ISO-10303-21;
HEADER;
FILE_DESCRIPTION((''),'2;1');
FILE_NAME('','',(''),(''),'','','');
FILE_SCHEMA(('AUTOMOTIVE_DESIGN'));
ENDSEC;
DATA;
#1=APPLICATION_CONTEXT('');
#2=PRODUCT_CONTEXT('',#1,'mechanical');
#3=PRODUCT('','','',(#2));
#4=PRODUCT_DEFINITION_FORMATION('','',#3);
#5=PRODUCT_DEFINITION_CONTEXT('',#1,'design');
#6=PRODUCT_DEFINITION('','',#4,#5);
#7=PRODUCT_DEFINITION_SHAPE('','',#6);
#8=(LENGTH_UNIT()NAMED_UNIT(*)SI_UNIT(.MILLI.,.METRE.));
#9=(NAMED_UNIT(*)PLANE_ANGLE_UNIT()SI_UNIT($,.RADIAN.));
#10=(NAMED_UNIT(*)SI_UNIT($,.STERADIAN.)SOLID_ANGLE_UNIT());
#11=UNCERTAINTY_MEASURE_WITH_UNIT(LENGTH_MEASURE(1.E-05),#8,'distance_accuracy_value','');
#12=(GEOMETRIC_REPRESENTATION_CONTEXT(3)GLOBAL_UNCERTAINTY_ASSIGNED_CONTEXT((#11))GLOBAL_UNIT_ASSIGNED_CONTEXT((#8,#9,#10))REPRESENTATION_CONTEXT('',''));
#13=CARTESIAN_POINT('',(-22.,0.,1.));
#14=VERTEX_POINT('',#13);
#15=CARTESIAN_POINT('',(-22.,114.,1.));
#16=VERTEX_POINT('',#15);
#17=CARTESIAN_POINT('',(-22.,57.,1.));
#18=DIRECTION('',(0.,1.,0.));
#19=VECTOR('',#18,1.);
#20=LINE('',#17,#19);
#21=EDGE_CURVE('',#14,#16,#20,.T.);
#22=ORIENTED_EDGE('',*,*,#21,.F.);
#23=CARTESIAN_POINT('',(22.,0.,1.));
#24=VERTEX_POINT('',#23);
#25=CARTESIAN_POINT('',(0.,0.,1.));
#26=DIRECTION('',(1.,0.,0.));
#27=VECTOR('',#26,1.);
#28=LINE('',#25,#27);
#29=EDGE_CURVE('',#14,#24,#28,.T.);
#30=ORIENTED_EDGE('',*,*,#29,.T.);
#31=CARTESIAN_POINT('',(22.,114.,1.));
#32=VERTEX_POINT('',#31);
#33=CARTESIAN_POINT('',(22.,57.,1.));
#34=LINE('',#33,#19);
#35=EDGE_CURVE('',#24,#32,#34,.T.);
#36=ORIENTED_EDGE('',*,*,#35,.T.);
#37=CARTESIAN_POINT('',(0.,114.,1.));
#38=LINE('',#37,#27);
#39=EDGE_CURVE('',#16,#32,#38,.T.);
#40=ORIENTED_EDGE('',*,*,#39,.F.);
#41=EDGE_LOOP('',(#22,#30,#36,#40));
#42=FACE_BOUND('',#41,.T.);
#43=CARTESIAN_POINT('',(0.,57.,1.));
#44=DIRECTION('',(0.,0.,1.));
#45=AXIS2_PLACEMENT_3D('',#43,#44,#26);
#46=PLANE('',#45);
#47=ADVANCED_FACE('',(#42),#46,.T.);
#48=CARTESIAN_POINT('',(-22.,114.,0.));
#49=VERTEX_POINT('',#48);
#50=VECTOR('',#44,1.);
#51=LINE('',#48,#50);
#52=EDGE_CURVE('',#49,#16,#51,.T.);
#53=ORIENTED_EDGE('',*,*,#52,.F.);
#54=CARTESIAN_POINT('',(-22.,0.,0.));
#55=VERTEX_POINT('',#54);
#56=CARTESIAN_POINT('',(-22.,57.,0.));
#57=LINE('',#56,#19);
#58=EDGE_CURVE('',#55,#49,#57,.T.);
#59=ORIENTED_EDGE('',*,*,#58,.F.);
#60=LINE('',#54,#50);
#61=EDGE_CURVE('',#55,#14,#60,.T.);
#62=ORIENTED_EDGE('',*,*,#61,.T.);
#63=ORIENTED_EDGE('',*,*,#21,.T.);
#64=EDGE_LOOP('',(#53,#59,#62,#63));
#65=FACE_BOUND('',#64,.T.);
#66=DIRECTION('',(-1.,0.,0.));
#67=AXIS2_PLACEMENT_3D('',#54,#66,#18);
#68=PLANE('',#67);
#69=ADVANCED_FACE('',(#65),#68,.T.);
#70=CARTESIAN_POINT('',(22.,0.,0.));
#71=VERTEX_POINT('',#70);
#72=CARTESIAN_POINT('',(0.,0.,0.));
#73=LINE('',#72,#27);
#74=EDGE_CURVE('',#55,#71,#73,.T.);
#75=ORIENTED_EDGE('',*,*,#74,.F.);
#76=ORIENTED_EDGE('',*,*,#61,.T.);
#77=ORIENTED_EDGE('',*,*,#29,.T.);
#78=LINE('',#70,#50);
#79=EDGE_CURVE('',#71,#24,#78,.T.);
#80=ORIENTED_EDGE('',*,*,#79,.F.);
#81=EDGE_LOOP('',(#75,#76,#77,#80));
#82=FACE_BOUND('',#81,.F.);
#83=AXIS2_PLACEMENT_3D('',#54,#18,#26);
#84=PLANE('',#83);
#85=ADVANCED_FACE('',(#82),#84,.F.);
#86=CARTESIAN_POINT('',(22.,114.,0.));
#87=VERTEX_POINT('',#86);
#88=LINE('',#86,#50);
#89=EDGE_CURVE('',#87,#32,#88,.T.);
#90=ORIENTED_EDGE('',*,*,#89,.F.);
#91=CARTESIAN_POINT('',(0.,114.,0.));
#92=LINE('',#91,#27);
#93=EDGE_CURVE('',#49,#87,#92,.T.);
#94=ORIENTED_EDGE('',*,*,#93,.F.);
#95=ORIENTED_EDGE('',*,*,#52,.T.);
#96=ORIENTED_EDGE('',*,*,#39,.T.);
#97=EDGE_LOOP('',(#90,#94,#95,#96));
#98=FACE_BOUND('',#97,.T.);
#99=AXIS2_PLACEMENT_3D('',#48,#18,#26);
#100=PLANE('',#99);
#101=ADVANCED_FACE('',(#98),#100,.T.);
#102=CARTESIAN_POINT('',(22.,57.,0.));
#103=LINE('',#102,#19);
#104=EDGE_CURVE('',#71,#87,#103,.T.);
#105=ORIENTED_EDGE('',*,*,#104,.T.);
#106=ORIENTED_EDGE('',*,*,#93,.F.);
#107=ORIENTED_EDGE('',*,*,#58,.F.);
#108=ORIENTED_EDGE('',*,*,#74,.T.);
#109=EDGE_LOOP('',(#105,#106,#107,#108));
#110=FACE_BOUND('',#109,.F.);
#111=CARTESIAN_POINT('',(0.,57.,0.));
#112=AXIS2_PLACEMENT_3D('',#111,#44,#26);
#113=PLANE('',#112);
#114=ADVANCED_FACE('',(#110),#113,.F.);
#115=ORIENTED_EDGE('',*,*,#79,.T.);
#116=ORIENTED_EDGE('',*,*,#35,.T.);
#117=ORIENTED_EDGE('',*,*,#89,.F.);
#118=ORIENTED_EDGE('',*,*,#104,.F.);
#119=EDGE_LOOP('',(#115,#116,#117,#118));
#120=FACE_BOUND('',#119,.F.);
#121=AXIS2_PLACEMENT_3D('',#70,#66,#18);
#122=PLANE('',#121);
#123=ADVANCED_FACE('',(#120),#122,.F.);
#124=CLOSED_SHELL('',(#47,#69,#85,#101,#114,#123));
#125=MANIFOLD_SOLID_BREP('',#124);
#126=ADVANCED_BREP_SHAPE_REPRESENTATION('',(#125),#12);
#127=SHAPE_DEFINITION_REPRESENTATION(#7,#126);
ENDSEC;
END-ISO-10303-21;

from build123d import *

# Parameters (mm, degrees)
SKETCH_W  = 44
SKETCH_H  = 114
PAD_DEPTH = 1


with BuildPart() as part:
    # Sketch → Pad (new body)
    with BuildSketch(Plane.XY):
        with Locations((0, 57)):
            Rectangle(SKETCH_W, SKETCH_H)
    extrude(amount=PAD_DEPTH)


solid = part.part
